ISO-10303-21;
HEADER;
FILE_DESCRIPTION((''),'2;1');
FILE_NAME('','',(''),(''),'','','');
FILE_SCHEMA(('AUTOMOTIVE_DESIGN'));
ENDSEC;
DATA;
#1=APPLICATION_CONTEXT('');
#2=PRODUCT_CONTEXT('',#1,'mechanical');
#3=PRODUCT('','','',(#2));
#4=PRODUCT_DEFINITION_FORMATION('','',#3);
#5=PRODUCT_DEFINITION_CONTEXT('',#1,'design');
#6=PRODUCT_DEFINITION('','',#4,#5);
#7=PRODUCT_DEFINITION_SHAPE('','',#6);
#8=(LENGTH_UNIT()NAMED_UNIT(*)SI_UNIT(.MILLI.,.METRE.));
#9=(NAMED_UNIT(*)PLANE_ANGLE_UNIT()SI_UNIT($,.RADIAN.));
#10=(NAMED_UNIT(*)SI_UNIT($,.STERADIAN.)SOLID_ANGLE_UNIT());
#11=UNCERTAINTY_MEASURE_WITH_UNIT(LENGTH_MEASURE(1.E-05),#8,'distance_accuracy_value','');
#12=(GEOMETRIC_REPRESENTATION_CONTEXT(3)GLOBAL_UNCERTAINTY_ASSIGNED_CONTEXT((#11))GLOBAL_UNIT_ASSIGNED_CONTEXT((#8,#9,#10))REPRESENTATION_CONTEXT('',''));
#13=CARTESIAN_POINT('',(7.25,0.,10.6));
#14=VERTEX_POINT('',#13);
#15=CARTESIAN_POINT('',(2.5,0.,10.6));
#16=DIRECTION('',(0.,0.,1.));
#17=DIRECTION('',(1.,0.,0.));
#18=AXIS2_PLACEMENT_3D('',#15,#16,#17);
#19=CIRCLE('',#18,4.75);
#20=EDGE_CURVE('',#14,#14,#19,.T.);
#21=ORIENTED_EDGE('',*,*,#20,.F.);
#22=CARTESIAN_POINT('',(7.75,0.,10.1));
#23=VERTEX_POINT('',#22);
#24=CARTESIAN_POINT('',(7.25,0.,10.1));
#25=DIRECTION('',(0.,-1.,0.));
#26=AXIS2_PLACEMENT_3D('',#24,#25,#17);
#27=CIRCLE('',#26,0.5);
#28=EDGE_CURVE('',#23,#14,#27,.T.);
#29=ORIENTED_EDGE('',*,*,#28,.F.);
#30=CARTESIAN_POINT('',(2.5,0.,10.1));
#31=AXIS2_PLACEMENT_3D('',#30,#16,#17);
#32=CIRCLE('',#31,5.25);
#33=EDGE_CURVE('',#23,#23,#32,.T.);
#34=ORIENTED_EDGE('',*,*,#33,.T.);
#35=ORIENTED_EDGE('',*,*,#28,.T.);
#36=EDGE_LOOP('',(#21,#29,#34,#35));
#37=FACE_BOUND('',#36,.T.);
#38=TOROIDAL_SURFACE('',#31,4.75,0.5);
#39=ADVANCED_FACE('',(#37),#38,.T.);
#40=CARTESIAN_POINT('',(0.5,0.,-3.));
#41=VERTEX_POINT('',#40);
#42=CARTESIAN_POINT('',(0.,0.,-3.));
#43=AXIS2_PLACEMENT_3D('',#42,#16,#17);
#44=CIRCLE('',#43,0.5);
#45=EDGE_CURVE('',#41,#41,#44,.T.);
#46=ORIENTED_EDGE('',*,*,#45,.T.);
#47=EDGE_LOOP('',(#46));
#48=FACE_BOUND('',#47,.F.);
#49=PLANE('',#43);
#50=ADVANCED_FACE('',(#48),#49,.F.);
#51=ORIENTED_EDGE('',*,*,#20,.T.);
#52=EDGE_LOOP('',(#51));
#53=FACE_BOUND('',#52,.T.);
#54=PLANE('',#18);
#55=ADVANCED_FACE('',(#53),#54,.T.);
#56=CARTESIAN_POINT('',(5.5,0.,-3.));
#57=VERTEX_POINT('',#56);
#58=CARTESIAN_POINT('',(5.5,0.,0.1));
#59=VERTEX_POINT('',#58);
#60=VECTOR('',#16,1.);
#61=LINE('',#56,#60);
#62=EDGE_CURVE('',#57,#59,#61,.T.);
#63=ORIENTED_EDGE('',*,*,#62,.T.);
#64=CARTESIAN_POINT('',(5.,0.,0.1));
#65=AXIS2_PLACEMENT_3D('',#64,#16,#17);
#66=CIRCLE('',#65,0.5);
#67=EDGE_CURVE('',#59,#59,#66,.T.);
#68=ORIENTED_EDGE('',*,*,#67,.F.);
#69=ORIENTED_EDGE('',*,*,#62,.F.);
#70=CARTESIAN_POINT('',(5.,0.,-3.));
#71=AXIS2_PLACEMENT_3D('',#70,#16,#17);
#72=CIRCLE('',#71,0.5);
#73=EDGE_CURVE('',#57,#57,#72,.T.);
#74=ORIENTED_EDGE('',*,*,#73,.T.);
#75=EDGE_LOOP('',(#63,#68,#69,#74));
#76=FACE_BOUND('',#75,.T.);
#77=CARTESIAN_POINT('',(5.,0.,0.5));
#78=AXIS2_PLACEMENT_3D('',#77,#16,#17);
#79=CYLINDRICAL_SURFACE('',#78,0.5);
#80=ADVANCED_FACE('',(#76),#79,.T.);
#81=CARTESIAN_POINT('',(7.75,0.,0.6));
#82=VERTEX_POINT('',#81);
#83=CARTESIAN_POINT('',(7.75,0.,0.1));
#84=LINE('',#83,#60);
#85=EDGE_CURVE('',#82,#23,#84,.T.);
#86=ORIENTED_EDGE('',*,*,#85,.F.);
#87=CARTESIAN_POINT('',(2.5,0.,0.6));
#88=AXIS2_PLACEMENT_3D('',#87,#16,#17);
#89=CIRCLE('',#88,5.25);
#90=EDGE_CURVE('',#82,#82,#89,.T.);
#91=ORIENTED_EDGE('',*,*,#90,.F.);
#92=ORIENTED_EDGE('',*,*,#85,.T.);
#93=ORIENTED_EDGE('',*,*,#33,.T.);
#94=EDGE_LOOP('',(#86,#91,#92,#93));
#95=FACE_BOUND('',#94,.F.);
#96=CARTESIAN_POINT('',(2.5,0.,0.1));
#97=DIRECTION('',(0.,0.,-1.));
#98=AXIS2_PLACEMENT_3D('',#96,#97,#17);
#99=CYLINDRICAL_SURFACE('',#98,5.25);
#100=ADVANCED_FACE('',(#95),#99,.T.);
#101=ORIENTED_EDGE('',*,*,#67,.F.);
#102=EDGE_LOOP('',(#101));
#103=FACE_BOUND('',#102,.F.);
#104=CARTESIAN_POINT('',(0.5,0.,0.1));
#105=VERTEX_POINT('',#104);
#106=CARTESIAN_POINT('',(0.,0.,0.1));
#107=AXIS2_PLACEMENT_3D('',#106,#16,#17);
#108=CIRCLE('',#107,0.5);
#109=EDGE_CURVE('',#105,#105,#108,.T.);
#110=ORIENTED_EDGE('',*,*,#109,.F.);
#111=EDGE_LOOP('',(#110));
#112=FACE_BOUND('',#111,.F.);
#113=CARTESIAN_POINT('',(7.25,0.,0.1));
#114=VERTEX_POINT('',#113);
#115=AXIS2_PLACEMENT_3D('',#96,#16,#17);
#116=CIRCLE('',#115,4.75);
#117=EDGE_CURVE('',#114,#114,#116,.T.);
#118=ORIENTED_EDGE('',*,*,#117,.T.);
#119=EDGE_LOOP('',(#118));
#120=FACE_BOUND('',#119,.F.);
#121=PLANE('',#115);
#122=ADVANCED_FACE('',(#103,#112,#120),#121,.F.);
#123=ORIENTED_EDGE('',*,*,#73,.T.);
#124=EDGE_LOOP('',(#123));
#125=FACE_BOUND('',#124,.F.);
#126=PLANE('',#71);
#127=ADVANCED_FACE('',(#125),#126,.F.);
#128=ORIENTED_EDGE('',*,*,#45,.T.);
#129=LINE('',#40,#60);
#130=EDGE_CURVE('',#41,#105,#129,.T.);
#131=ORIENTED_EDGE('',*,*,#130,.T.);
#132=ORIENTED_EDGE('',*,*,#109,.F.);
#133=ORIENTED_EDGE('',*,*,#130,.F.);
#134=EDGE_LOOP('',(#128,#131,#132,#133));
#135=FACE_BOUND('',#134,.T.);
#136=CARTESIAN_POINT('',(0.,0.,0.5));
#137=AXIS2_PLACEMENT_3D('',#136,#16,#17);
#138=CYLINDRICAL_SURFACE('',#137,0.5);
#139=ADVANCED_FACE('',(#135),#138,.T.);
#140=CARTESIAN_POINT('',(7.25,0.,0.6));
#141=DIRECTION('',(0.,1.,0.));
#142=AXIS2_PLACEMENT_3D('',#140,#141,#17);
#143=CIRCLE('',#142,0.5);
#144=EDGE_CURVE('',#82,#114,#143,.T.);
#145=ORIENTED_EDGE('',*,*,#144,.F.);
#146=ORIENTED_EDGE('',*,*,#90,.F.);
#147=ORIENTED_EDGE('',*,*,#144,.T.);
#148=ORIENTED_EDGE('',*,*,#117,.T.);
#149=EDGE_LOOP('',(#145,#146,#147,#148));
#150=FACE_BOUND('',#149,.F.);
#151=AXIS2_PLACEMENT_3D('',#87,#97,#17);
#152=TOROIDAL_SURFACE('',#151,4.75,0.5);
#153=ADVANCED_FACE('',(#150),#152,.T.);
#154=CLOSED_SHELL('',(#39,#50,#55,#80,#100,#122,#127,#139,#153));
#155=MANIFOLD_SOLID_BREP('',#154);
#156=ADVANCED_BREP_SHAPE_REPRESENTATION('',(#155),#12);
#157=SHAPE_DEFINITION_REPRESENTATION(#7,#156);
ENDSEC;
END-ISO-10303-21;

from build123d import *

# Parameters (mm, degrees)
SKETCH001_R       = 0.5
PAD001_DEPTH      = 5.25
PAD001_DEPTH_BACK = 3.5
SKETCH_R          = 5.25
PAD_DEPTH         = 10.5
FILLET_R          = 0.5


with BuildPart() as pad001:
    # Sketch001 → Pad001 (new body, two sides)
    with BuildSketch(Plane.XY.offset(0.5)) as pad001_sk:
        Circle(SKETCH001_R)
        with Locations((5, 0)):
            Circle(SKETCH001_R)
    extrude(amount=PAD001_DEPTH)
    extrude(pad001_sk.sketch, amount=-PAD001_DEPTH_BACK)


with BuildPart() as fillet_mp_cp:
    # Sketch → Pad (new body)
    with BuildSketch(Plane.XY.offset(0.1)):
        with Locations((2.5, 0)):
            Circle(SKETCH_R)
    extrude(amount=PAD_DEPTH)

    # Fillet
    fillet_edges = [fillet_mp_cp.edges().sort_by_distance(p)[0] for p in [
        (-2.75, 0, 0.1),
        (-2.75, 0, 10.6),
    ]]
    fillet(fillet_edges, radius=FILLET_R)

    # Fillet_mp_cp: union Pad001
    add(pad001.part)


solid = fillet_mp_cp.part
